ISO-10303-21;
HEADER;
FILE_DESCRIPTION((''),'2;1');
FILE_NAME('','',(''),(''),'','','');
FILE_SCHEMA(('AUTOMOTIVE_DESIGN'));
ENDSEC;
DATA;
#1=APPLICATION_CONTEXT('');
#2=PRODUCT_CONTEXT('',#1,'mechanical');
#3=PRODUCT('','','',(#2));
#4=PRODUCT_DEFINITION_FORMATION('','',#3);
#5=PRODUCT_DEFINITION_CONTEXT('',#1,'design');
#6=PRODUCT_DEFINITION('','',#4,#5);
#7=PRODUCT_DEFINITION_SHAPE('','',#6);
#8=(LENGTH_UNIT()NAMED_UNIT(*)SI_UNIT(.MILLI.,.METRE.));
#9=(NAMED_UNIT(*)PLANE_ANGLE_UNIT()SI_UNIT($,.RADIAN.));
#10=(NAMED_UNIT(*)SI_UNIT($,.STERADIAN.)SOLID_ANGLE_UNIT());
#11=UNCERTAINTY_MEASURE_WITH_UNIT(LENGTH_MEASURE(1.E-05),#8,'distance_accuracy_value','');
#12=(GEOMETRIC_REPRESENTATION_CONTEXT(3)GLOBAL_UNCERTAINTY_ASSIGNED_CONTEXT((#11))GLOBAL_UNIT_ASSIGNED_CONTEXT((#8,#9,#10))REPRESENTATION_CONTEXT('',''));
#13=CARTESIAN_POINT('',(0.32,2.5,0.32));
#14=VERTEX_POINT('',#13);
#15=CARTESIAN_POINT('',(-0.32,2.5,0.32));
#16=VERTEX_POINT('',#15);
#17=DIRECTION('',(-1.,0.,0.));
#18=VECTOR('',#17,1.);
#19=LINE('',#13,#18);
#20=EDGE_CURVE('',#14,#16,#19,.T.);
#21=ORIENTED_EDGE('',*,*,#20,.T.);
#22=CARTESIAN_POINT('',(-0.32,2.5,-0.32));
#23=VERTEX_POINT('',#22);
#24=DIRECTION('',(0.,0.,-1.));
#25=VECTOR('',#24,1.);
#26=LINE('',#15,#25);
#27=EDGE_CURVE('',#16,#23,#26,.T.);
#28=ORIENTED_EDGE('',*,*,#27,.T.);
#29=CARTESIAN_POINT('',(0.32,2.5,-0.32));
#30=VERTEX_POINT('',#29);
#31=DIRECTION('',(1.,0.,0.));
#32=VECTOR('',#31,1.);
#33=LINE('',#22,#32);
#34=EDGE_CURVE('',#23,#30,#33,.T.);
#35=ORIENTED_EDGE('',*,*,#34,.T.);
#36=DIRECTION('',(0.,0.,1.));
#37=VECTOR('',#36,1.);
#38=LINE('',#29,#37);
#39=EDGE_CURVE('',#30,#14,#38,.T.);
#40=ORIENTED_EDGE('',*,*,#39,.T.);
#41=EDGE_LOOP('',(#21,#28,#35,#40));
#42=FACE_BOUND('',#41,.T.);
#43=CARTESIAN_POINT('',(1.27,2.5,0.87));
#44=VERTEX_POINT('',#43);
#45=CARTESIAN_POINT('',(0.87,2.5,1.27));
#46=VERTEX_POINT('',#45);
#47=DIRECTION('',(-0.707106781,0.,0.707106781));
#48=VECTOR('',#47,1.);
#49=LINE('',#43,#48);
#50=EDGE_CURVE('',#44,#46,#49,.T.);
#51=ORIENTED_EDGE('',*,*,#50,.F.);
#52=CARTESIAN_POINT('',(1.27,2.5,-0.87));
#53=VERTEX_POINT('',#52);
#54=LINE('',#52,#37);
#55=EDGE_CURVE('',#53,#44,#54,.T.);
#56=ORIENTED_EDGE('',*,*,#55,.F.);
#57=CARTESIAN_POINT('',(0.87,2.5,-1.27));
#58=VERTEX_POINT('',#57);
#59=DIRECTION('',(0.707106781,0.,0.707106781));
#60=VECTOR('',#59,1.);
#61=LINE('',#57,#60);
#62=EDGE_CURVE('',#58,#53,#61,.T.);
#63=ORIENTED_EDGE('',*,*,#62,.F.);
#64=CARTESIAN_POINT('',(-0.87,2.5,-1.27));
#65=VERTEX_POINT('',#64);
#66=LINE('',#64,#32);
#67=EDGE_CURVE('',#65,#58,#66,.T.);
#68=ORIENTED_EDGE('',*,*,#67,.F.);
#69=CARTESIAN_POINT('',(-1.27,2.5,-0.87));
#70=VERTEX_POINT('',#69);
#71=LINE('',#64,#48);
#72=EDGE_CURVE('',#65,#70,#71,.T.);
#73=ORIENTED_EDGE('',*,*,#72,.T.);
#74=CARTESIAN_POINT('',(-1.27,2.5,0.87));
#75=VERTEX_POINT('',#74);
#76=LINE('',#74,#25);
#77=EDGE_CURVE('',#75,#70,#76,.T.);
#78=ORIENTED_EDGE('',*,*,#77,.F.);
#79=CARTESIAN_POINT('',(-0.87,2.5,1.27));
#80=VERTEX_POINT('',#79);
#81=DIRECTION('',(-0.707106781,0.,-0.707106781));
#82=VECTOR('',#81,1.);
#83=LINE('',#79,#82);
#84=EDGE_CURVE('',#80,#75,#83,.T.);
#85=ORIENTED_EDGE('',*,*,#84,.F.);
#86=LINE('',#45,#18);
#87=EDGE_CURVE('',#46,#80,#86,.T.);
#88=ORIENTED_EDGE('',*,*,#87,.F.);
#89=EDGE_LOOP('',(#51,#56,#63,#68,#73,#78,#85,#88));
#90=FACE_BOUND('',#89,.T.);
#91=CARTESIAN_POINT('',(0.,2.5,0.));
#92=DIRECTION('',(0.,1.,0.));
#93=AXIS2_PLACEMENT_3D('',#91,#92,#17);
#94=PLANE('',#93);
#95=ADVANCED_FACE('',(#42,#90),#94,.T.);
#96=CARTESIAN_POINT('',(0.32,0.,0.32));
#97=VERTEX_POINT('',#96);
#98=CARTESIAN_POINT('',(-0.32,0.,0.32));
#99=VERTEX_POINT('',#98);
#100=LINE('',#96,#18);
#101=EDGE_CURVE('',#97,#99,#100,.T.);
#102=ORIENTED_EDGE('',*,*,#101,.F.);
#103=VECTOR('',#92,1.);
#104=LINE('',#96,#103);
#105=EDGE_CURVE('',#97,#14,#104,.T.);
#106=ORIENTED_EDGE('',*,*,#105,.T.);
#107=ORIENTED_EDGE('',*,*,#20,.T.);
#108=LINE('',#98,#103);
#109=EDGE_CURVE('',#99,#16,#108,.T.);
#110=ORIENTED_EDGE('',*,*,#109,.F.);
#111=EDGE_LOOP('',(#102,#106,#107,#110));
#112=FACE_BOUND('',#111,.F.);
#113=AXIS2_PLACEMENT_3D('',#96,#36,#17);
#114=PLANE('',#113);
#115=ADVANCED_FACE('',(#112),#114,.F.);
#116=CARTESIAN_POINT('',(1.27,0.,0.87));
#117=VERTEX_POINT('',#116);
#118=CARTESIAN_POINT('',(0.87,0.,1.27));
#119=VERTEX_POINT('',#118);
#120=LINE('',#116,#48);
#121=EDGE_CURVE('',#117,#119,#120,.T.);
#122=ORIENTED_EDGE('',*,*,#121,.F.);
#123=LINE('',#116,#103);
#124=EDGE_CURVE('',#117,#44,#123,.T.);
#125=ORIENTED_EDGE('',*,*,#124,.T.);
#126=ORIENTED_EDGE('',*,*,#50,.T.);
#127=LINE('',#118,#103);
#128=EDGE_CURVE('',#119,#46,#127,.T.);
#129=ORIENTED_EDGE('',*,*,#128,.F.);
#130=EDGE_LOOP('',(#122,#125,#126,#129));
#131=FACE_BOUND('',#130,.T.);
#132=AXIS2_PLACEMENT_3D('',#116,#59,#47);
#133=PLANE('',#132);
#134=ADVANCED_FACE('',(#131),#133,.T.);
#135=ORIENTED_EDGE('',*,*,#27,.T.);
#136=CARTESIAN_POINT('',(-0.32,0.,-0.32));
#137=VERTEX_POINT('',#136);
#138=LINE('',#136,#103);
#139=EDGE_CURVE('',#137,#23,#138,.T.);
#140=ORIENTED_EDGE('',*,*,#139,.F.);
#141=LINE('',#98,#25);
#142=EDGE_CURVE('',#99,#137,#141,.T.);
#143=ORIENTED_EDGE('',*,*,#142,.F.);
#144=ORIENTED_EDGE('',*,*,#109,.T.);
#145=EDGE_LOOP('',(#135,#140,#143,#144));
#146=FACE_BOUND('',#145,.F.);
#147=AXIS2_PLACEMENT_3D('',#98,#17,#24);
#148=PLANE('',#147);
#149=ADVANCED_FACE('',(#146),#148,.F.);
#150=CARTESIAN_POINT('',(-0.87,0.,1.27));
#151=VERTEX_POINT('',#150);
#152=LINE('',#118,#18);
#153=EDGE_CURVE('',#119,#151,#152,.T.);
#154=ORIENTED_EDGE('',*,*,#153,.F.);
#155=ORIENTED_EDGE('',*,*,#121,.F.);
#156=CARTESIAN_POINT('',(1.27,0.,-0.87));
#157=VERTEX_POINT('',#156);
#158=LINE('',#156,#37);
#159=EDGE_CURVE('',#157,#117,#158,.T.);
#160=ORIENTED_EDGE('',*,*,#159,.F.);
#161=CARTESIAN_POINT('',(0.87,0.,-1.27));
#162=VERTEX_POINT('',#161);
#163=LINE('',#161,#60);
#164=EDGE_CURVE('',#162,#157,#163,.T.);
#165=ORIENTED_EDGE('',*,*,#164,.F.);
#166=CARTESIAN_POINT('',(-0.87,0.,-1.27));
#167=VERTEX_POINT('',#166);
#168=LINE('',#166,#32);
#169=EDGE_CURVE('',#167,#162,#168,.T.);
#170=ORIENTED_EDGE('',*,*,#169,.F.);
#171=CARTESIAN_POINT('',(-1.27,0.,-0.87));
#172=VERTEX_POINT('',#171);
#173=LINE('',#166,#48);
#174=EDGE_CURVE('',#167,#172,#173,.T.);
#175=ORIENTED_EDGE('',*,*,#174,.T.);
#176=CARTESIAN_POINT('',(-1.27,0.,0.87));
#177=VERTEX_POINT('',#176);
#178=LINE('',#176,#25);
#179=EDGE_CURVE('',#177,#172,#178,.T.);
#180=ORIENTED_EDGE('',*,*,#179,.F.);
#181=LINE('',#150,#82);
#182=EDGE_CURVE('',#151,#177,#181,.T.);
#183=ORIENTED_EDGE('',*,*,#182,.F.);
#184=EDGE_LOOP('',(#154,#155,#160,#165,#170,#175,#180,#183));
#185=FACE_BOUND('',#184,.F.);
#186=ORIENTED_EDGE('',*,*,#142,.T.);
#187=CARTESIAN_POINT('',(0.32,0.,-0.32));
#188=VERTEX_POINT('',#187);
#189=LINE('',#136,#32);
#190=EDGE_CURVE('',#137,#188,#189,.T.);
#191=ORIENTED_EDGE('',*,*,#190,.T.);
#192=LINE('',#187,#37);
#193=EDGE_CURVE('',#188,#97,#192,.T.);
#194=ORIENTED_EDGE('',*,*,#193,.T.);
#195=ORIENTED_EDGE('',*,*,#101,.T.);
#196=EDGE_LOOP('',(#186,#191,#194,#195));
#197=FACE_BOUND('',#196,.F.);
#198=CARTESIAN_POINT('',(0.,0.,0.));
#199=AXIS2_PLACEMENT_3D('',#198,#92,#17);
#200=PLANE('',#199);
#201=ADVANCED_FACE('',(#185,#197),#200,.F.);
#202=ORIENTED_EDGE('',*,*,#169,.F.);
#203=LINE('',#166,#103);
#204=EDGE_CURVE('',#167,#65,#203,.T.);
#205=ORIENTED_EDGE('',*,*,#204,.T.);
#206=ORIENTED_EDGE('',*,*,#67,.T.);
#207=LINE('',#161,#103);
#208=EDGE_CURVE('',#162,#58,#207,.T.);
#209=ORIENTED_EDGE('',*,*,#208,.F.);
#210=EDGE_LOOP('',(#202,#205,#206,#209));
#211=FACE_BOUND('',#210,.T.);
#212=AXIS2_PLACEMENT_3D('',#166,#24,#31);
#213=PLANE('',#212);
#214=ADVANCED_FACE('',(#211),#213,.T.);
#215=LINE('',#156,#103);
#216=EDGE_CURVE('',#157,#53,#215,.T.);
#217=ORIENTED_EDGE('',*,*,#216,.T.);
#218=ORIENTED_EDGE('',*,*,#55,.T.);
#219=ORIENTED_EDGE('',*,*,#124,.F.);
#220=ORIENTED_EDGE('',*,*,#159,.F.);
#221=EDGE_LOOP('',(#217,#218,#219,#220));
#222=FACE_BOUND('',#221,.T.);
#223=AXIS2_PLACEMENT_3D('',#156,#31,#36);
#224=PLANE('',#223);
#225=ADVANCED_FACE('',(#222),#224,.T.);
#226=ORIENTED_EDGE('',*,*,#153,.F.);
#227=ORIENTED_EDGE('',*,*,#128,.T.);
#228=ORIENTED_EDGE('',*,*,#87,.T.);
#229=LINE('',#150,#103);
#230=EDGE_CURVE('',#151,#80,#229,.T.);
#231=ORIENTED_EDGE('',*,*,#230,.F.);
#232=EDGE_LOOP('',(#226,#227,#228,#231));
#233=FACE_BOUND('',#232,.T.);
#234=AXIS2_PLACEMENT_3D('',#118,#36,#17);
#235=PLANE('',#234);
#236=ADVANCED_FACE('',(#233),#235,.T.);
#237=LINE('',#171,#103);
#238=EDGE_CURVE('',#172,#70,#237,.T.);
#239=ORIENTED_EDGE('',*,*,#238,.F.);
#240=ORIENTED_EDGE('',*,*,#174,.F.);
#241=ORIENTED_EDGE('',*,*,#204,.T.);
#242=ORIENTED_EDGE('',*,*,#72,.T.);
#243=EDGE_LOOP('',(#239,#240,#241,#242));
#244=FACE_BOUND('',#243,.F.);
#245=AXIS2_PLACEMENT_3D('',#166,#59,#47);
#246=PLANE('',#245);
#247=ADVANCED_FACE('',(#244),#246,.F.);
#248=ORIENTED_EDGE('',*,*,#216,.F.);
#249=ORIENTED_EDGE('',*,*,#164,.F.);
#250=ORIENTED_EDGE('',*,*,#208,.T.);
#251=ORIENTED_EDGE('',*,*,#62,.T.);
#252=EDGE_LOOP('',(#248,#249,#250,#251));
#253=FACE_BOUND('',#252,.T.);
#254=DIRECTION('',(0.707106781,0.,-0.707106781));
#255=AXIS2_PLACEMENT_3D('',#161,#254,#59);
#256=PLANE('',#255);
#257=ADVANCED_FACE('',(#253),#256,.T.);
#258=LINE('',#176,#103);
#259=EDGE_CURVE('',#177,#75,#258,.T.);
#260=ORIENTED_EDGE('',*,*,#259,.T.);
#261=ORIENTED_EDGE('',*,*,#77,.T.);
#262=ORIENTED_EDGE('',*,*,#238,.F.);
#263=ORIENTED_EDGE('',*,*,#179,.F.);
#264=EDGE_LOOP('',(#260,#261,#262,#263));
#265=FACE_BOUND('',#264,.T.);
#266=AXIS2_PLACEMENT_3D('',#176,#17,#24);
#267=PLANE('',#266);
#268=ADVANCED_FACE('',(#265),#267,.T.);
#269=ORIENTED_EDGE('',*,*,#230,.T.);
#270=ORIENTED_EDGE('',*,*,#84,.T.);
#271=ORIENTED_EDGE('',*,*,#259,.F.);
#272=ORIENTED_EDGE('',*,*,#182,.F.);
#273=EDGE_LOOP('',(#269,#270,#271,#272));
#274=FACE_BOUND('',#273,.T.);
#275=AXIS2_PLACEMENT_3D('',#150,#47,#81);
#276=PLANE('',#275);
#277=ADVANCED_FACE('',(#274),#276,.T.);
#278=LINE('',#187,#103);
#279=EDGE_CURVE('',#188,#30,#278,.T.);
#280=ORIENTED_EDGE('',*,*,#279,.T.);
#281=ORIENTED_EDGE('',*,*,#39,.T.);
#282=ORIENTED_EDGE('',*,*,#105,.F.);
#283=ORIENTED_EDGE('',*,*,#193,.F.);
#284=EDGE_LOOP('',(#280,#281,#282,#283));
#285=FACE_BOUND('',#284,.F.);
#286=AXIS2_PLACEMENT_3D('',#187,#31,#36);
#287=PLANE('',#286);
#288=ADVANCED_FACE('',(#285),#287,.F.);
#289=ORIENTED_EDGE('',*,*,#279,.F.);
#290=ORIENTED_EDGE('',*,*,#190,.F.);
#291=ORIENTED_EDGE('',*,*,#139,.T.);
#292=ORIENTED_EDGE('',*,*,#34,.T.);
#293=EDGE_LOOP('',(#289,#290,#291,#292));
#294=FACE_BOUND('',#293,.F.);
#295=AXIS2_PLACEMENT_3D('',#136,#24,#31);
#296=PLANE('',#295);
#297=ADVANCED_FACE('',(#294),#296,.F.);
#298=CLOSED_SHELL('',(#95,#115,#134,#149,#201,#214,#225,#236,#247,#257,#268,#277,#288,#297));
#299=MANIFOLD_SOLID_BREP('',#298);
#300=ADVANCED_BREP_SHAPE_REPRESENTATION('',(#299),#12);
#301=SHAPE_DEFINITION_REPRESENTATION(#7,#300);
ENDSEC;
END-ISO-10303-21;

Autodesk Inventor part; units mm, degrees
ref_plane "YZ Plane" through (0, 0, 0) normal (1, 0, 0) x (0, 1, 0)
ref_plane "XZ Plane" through (0, 0, 0) normal (0, 1, 0) x (-1, 0, 0)
ref_plane "XY Plane" through (0, 0, 0) normal (0, 0, 1) x (1, 0, 0)
sketch "Sketch1" plane through (0, 0, 0) normal (0, 1, 0) x (-1, 0, 0)
  line L0 (0.87, -1.27) -> (-0.87, -1.27)
  line L1 (-1.27, -0.87) -> (-1.27, 0.87)
  line L2 (-0.87, 1.27) -> (0.87, 1.27)
  line L3 (1.27, 0.87) -> (1.27, -0.87)
  line L4 (1.27, -1.27) -> (-1.27, 1.27) construction
  line L5 (-1.27, -1.27) -> (1.27, 1.27) construction
  line L6 (0.32, -0.32) -> (-0.32, -0.32)
  line L7 (-0.32, -0.32) -> (-0.32, 0.32)
  line L8 (-0.32, 0.32) -> (0.32, 0.32)
  line L9 (0.32, 0.32) -> (0.32, -0.32)
  line L10 (0.32, -0.32) -> (-0.32, 0.32) construction
  line L11 (-0.32, -0.32) -> (0.32, 0.32) construction
  line L12 (0.87, -1.27) -> (1.27, -0.87)
  line L13 (-0.87, -1.27) -> (-1.27, -0.87)
  line L14 (-1.27, 0.87) -> (-0.87, 1.27)
  line L15 (0.87, 1.27) -> (1.27, 0.87)
  point P0 (0, 0)
  dimension "d0" = 2.54
  dimension "d1" = 2.54
  dimension "d2" = 0.64
  dimension "d3" = 0.64
  dimension "d4" = 0.4
  dimension "d5" = 0.4
  dimension "d6" = 0.4
  dimension "d7" = 0.4
  dimension "d8" = 0.4
  dimension "d9" = 0.4
  dimension "d10" = 0.4
  dimension "d11" = 0.4
extrude "Extrusion1" add sketch "Sketch1" along normal blind 2.5
equation "\"d5\" = d4"
equation "\"d6\" = d4"
equation "\"d7\" = d6"
equation "\"d8\" = d4"
equation "\"d9\" = d8"
equation "\"d10\" = d4"
equation "\"d11\" = d10"
properties part number "Holder" material "ABS Plastic"
